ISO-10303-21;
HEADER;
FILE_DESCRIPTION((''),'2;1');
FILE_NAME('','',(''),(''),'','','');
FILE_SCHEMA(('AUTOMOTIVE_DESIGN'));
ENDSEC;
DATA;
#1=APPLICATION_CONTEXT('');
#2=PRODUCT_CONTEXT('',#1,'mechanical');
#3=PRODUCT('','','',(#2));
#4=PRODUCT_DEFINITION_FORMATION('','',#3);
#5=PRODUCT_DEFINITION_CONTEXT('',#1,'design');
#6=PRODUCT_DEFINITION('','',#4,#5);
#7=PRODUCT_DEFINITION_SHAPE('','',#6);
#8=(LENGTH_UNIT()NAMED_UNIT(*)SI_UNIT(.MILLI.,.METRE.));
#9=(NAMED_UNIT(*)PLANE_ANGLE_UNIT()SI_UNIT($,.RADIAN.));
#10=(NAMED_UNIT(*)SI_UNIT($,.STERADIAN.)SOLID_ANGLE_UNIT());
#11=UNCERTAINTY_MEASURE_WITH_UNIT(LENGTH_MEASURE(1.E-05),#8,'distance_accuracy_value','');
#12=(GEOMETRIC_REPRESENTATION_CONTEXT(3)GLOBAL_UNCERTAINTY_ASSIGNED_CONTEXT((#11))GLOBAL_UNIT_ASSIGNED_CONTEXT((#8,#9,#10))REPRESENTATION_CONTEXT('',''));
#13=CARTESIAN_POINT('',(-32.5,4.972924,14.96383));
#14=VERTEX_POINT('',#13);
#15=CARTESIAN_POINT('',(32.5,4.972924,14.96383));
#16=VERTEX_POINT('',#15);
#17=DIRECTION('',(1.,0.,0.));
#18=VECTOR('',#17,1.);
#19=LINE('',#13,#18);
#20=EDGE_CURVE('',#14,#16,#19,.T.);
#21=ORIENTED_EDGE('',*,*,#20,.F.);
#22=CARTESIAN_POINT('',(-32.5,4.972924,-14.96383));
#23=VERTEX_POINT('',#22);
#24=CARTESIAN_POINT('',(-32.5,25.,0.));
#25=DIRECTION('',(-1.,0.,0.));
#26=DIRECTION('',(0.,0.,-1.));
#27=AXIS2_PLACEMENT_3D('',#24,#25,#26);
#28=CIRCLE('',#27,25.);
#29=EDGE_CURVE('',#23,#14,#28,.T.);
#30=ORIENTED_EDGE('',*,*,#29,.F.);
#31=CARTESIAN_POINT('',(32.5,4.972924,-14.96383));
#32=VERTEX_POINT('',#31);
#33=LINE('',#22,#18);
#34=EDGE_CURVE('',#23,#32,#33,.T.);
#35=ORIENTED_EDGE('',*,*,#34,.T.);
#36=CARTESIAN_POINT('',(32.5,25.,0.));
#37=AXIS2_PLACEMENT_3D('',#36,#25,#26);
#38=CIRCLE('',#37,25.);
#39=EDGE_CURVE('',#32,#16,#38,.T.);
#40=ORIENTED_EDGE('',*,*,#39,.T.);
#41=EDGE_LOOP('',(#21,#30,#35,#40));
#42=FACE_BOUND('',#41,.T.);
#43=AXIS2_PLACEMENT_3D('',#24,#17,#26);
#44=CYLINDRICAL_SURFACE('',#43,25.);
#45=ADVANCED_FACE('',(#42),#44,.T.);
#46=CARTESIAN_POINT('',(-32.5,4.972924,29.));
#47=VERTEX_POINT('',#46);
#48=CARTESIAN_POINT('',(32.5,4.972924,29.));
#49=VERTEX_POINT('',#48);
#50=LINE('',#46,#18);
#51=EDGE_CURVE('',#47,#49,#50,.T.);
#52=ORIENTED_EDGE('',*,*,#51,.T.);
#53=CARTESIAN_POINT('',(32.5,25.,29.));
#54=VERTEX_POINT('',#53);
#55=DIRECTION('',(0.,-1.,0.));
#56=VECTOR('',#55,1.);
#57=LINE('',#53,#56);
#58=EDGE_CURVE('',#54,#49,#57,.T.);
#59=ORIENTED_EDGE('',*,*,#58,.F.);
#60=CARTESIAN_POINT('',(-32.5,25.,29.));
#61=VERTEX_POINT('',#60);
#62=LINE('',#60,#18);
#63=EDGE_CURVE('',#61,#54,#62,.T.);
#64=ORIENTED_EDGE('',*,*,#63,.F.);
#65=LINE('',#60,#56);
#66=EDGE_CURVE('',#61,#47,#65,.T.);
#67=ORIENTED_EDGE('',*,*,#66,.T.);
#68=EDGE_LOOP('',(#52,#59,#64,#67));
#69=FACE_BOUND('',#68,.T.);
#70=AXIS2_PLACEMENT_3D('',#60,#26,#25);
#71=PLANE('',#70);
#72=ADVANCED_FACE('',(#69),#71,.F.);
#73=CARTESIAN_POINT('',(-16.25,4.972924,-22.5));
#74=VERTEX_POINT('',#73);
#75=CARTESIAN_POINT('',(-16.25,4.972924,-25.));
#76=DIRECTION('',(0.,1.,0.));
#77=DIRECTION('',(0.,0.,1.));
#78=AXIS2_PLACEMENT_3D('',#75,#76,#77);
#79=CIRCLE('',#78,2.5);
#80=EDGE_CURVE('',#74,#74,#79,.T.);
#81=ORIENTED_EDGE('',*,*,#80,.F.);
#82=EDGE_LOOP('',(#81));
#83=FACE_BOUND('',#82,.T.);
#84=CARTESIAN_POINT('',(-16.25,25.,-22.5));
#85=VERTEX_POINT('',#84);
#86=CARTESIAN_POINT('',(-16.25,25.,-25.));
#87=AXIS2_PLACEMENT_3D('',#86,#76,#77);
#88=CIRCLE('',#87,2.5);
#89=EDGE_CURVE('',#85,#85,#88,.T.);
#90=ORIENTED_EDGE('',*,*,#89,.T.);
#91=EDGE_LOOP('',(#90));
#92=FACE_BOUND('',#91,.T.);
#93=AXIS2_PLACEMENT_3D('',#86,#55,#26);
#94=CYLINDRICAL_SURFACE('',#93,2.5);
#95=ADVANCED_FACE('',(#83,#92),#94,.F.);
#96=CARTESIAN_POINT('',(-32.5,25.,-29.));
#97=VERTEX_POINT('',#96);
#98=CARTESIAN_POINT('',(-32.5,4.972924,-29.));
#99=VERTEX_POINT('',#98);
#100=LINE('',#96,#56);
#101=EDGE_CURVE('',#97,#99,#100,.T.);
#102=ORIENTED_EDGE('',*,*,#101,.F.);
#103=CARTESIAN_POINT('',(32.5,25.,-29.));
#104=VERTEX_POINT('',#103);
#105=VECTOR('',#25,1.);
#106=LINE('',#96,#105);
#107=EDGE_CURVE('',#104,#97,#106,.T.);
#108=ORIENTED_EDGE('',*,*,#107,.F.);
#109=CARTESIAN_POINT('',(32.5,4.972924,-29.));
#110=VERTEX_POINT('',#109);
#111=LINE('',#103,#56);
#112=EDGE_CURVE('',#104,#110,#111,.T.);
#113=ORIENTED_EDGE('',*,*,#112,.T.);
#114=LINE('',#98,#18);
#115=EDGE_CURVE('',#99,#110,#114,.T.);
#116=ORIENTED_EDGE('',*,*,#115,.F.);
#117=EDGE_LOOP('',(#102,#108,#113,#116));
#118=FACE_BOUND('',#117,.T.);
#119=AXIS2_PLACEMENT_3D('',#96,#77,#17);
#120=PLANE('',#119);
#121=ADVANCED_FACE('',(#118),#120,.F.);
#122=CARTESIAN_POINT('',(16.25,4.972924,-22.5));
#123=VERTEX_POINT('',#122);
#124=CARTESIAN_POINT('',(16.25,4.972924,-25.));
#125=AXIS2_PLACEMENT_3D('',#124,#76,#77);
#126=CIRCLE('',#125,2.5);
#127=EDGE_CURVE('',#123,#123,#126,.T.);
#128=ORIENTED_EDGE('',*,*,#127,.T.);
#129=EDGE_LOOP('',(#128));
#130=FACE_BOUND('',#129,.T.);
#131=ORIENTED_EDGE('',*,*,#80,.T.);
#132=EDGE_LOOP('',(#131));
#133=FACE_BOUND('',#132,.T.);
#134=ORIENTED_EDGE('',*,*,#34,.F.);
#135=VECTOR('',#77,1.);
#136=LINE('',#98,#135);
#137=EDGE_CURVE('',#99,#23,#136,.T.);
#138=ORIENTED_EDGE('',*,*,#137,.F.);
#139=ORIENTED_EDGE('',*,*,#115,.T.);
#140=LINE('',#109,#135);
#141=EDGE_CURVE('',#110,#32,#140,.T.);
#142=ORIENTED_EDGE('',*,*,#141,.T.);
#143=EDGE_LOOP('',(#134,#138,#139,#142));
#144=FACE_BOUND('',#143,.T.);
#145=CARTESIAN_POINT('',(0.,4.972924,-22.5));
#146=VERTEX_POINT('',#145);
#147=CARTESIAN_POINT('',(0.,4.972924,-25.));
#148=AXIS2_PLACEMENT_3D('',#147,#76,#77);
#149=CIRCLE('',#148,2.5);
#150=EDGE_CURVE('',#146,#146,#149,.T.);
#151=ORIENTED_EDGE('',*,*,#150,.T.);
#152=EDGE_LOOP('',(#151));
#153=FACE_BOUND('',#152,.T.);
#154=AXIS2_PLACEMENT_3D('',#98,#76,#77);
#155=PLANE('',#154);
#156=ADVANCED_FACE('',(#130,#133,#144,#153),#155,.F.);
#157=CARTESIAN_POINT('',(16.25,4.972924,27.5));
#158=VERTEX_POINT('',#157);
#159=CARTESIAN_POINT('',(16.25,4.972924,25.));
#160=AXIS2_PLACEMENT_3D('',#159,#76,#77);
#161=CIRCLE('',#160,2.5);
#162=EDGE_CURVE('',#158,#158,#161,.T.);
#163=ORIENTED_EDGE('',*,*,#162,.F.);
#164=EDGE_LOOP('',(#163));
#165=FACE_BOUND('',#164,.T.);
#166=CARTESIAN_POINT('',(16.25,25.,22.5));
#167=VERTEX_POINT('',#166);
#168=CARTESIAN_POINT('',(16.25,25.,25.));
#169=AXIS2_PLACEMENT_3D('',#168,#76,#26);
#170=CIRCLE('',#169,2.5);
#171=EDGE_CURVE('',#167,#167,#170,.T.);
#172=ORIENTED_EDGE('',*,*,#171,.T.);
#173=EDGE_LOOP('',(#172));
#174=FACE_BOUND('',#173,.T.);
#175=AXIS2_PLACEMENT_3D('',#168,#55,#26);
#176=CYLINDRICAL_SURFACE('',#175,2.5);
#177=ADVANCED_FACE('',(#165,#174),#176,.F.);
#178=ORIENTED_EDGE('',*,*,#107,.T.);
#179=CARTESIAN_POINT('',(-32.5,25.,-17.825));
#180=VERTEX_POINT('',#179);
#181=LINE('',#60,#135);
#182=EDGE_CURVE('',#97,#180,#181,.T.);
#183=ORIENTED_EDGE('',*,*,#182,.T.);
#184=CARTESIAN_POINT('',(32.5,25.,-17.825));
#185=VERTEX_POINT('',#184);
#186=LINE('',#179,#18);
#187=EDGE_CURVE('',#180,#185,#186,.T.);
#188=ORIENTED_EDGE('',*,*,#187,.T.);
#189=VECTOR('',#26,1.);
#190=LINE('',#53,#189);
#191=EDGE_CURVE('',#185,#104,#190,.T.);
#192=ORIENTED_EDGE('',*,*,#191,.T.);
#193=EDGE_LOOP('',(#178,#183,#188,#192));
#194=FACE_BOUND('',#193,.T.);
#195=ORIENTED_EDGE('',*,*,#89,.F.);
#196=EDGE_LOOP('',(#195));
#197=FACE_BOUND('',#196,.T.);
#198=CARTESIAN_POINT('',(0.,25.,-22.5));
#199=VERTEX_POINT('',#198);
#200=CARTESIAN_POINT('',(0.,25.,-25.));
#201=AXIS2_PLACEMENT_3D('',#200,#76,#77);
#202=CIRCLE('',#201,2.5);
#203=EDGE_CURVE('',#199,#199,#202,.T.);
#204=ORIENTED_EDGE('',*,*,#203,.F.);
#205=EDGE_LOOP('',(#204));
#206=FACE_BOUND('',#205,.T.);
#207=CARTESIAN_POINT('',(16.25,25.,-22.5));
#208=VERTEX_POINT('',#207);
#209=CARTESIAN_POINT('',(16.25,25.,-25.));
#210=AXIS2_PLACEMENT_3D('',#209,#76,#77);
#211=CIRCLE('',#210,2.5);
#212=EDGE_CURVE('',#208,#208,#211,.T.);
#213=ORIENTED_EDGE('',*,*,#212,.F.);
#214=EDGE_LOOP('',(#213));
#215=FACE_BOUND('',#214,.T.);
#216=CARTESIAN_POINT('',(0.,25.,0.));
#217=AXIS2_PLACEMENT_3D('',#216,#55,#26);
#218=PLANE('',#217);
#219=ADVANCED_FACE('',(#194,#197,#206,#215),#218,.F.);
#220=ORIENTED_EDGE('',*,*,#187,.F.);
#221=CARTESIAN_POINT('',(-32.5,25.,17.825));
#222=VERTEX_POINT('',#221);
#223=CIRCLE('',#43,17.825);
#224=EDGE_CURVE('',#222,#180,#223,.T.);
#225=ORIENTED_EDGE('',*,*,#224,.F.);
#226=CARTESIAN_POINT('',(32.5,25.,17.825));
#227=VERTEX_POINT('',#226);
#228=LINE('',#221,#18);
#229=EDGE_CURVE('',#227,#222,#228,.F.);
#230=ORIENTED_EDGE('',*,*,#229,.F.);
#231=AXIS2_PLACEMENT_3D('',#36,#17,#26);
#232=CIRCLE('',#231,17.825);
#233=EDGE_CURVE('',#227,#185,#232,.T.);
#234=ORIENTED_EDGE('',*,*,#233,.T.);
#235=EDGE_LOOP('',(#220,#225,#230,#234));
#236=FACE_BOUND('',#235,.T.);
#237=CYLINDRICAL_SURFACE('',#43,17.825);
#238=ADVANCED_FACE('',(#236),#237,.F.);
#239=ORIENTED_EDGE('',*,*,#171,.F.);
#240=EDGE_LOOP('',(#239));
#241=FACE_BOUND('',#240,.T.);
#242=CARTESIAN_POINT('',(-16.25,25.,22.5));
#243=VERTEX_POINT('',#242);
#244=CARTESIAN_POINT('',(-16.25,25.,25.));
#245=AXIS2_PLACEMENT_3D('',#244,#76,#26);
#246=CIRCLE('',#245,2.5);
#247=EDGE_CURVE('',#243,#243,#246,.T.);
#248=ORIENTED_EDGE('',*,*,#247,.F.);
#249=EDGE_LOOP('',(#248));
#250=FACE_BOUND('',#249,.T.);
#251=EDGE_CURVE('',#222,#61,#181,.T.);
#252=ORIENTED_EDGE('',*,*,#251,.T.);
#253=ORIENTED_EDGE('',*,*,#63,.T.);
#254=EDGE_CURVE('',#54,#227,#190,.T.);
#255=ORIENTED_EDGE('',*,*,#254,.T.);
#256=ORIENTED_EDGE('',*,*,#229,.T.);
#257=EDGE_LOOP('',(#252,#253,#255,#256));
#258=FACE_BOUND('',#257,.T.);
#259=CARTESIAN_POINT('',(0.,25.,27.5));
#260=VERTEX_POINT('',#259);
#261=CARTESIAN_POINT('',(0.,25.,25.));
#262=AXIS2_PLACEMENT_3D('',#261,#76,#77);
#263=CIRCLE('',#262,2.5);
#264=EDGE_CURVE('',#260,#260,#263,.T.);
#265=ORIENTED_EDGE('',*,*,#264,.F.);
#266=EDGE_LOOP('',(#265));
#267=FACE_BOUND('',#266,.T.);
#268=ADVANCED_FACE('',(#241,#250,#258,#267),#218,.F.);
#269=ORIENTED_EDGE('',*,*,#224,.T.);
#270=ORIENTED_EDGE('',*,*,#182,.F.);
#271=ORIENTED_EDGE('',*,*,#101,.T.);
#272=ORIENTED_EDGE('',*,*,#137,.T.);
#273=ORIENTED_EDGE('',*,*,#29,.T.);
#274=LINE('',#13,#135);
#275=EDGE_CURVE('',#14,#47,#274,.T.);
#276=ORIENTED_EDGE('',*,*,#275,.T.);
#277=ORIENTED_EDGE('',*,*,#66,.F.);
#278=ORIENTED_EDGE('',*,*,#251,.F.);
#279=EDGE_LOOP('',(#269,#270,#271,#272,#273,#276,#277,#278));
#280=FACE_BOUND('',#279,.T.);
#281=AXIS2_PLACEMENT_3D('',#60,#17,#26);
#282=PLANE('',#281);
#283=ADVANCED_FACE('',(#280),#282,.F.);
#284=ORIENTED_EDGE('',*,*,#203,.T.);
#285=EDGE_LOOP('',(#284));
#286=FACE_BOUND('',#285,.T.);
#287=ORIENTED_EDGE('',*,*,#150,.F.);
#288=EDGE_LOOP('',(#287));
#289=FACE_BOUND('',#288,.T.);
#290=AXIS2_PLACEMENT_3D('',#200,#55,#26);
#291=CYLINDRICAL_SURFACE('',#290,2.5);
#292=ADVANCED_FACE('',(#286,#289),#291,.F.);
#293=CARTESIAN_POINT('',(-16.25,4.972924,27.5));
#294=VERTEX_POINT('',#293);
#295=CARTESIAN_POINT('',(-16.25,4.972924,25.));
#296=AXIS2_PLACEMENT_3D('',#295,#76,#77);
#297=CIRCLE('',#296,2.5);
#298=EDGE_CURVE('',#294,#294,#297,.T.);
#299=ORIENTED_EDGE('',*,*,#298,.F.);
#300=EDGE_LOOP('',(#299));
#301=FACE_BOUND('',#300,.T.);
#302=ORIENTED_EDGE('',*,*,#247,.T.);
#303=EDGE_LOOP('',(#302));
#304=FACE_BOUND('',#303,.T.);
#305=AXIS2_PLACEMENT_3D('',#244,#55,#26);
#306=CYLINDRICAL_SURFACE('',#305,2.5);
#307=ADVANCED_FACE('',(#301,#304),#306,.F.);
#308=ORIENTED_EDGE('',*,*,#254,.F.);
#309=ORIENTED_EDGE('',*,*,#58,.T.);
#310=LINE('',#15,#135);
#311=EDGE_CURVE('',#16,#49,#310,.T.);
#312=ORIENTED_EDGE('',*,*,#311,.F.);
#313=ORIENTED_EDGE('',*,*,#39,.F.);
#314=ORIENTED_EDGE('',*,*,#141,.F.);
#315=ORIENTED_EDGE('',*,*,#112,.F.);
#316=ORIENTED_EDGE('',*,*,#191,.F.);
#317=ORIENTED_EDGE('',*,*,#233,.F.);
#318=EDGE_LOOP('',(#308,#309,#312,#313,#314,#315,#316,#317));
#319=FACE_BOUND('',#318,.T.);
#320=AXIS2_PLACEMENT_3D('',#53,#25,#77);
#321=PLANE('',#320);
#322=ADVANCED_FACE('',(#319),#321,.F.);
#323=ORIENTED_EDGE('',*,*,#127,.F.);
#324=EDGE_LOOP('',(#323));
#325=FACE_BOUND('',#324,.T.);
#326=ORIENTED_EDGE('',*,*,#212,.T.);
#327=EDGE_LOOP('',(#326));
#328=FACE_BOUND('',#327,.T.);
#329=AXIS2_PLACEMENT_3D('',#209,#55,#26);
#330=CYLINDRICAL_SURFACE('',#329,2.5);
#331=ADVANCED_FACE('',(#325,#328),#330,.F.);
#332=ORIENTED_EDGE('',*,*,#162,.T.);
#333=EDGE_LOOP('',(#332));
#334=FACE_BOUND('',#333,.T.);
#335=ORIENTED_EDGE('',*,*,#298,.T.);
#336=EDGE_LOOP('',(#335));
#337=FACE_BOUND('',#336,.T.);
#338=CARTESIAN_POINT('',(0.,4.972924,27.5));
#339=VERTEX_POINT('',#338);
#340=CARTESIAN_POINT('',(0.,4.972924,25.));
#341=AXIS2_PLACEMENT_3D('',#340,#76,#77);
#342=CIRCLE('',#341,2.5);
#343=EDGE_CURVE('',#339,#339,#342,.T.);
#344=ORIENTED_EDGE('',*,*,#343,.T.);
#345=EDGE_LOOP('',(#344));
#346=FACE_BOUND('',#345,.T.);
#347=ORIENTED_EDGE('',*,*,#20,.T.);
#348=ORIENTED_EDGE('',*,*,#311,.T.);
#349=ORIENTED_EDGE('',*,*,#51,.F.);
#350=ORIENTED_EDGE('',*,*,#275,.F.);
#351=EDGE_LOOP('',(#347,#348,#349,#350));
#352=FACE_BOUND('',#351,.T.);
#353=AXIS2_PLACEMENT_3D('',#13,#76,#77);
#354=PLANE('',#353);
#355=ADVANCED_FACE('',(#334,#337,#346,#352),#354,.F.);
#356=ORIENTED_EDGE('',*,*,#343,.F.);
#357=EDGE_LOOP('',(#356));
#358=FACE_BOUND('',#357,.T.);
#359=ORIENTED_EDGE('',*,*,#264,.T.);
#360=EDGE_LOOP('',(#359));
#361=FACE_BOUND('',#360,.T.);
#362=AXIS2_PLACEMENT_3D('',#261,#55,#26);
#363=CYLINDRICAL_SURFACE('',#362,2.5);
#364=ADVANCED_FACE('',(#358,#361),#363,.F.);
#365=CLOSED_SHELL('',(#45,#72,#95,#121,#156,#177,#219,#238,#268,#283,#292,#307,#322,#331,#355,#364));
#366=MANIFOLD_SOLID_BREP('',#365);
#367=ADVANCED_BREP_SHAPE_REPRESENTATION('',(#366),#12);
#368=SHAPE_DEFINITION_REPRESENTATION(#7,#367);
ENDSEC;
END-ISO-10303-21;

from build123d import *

# Parameters (mm, degrees)
SKETCH1_W           = 65
SKETCH1_H           = 58
SKETCH1_R           = 2.5
BOSS_EXTRUDE1_DEPTH = 25
SKETCH2_R           = 17.825
CUT_EXTRUDE1_DEPTH  = 76.43871685


with BuildPart() as part:
    # Sketch1 → Boss-Extrude1 (new body)
    with BuildSketch(Plane(origin=(0, 0, 0), x_dir=(1, 0, 0), z_dir=(0, 1, 0))):
        Rectangle(SKETCH1_W, SKETCH1_H)
        with Locations(Location((-16.25, 25, 0), (0, 0, 270))):
            Circle(SKETCH1_R, mode=Mode.SUBTRACT)
        with Locations(Location((16.25, 25, 0), (0, 0, 270))):
            Circle(SKETCH1_R, mode=Mode.SUBTRACT)
        with Locations(Location((16.25, -25, 0), (0, 0, 90))):
            Circle(SKETCH1_R, mode=Mode.SUBTRACT)
        with Locations(Location((-16.25, -25, 0), (0, 0, 90))):
            Circle(SKETCH1_R, mode=Mode.SUBTRACT)
        with Locations(Location((0, 25, 0), (0, 0, 270))):
            Circle(SKETCH1_R, mode=Mode.SUBTRACT)
        with Locations(Location((0, -25, 0), (0, 0, 270))):
            Circle(SKETCH1_R, mode=Mode.SUBTRACT)
    extrude(amount=BOSS_EXTRUDE1_DEPTH)

    # Sketch2 → Cut-Extrude1 (cut, through all)
    with BuildSketch(Plane(origin=(32.5, 0, 0), x_dir=(0, 0, -1), z_dir=(1, 0, 0))):
        with Locations((0, 25)):
            Circle(SKETCH2_R)
        with BuildLine():
            Line((-14.963830053, 4.972923575), (-29, 4.972923575))
            Line((-29, 4.972923575), (-29, -6.793967085))
            Line((-29, -6.793967085), (29, -6.793967085))
            Line((29, -6.793967085), (29, 4.972923575))
            Line((29, 4.972923575), (14.963830053, 4.972923575))
            ThreePointArc((14.963830053, 4.972923575), (0, 0), (-14.963830053, 4.972923575))
        make_face()
    extrude(amount=-CUT_EXTRUDE1_DEPTH, mode=Mode.SUBTRACT)


solid = part.part
